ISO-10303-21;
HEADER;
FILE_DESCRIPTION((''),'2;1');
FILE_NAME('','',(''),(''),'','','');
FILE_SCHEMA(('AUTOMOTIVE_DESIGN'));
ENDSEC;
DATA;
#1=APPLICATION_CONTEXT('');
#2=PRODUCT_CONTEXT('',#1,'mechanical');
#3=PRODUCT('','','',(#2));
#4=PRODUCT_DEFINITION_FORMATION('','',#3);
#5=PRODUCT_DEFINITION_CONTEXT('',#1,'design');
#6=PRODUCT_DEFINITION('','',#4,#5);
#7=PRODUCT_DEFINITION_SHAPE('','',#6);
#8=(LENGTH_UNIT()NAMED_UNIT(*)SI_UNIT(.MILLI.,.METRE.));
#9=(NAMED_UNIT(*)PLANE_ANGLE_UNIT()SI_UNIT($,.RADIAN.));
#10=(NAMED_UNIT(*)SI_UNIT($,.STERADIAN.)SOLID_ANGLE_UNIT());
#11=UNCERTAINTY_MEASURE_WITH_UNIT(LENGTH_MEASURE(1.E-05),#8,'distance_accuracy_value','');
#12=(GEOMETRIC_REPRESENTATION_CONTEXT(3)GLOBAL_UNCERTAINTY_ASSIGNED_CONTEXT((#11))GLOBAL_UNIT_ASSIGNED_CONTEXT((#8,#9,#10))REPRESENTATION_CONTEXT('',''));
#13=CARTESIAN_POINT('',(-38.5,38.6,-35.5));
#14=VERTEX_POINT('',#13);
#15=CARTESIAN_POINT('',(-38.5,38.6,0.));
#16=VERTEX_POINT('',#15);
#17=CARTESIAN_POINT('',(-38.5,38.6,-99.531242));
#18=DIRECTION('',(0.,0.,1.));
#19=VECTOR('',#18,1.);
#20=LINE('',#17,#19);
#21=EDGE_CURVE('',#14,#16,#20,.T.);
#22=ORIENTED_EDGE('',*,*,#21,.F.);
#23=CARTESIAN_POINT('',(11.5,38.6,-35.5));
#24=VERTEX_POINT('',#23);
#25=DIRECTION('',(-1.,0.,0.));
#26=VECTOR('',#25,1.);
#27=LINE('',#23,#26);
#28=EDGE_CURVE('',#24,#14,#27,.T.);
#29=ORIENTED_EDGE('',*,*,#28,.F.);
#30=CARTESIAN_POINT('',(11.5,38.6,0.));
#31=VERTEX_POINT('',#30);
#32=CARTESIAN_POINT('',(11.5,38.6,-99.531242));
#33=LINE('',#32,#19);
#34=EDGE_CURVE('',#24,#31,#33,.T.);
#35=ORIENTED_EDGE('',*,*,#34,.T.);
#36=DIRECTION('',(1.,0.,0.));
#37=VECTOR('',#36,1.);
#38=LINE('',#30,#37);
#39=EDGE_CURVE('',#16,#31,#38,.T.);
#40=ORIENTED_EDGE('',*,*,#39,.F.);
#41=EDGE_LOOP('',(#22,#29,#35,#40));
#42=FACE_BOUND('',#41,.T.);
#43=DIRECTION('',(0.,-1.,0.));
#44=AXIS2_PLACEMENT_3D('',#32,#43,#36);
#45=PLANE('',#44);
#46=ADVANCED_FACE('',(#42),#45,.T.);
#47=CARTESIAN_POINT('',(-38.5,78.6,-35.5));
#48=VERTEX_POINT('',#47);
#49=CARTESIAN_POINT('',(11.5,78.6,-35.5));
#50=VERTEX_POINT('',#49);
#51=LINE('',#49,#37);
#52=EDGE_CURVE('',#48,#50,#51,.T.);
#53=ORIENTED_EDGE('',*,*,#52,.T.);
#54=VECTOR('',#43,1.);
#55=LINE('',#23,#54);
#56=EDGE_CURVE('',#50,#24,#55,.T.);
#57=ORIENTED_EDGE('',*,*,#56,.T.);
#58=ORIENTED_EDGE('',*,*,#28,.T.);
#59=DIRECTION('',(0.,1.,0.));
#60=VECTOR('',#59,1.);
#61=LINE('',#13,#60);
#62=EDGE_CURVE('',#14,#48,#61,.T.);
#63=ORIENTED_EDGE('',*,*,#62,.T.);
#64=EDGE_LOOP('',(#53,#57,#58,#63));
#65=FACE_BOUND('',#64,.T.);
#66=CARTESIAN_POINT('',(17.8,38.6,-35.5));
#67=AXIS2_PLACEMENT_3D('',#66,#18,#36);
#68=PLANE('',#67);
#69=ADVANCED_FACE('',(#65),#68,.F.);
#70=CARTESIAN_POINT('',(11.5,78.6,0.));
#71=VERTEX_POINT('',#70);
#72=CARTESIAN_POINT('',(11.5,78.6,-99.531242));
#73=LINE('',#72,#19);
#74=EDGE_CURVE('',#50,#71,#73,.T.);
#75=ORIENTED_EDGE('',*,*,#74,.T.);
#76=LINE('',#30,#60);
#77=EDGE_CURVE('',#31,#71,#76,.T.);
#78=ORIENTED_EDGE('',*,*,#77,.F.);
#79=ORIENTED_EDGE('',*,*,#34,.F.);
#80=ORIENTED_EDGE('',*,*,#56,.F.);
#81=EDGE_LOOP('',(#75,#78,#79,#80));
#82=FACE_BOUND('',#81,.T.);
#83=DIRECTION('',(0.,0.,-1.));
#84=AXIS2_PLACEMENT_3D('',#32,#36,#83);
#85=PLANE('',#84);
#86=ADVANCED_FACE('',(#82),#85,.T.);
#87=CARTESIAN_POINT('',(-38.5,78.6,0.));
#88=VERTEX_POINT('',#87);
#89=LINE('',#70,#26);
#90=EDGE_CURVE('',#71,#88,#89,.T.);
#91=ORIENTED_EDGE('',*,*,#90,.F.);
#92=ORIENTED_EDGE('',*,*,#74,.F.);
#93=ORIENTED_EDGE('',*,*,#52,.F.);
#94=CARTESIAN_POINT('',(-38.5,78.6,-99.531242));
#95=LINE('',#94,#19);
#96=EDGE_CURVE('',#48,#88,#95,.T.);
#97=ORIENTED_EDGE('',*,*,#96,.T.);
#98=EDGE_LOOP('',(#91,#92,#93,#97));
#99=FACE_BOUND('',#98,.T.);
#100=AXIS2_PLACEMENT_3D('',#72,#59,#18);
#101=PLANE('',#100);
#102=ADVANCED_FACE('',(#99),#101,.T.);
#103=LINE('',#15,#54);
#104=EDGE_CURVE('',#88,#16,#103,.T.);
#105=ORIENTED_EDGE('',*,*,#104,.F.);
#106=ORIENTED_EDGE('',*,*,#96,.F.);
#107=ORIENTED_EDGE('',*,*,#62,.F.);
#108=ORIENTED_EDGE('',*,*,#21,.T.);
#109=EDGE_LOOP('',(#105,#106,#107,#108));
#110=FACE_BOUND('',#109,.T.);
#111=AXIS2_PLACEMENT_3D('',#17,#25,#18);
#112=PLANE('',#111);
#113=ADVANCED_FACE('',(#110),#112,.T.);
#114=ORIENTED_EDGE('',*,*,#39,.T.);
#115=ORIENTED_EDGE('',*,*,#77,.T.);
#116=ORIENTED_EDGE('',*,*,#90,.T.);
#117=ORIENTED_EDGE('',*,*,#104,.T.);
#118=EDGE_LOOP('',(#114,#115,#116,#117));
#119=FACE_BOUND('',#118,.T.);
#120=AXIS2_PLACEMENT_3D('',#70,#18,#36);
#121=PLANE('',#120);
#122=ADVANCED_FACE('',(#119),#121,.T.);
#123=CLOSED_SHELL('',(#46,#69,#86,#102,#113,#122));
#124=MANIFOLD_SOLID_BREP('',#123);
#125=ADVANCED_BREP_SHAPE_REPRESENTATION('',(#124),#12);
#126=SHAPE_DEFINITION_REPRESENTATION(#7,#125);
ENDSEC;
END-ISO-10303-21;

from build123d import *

# Parameters (mm, degrees)
SKETCH1_W           = 50
SKETCH1_H           = 40
BOSS_EXTRUDE1_DEPTH = 35.5


with BuildPart() as part:
    # Sketch1 → Boss-Extrude1 (new body)
    with BuildSketch(Plane.XY):
        with Locations((-13.5, 58.6)):
            Rectangle(SKETCH1_W, SKETCH1_H)
    extrude(amount=-BOSS_EXTRUDE1_DEPTH)


solid = part.part
